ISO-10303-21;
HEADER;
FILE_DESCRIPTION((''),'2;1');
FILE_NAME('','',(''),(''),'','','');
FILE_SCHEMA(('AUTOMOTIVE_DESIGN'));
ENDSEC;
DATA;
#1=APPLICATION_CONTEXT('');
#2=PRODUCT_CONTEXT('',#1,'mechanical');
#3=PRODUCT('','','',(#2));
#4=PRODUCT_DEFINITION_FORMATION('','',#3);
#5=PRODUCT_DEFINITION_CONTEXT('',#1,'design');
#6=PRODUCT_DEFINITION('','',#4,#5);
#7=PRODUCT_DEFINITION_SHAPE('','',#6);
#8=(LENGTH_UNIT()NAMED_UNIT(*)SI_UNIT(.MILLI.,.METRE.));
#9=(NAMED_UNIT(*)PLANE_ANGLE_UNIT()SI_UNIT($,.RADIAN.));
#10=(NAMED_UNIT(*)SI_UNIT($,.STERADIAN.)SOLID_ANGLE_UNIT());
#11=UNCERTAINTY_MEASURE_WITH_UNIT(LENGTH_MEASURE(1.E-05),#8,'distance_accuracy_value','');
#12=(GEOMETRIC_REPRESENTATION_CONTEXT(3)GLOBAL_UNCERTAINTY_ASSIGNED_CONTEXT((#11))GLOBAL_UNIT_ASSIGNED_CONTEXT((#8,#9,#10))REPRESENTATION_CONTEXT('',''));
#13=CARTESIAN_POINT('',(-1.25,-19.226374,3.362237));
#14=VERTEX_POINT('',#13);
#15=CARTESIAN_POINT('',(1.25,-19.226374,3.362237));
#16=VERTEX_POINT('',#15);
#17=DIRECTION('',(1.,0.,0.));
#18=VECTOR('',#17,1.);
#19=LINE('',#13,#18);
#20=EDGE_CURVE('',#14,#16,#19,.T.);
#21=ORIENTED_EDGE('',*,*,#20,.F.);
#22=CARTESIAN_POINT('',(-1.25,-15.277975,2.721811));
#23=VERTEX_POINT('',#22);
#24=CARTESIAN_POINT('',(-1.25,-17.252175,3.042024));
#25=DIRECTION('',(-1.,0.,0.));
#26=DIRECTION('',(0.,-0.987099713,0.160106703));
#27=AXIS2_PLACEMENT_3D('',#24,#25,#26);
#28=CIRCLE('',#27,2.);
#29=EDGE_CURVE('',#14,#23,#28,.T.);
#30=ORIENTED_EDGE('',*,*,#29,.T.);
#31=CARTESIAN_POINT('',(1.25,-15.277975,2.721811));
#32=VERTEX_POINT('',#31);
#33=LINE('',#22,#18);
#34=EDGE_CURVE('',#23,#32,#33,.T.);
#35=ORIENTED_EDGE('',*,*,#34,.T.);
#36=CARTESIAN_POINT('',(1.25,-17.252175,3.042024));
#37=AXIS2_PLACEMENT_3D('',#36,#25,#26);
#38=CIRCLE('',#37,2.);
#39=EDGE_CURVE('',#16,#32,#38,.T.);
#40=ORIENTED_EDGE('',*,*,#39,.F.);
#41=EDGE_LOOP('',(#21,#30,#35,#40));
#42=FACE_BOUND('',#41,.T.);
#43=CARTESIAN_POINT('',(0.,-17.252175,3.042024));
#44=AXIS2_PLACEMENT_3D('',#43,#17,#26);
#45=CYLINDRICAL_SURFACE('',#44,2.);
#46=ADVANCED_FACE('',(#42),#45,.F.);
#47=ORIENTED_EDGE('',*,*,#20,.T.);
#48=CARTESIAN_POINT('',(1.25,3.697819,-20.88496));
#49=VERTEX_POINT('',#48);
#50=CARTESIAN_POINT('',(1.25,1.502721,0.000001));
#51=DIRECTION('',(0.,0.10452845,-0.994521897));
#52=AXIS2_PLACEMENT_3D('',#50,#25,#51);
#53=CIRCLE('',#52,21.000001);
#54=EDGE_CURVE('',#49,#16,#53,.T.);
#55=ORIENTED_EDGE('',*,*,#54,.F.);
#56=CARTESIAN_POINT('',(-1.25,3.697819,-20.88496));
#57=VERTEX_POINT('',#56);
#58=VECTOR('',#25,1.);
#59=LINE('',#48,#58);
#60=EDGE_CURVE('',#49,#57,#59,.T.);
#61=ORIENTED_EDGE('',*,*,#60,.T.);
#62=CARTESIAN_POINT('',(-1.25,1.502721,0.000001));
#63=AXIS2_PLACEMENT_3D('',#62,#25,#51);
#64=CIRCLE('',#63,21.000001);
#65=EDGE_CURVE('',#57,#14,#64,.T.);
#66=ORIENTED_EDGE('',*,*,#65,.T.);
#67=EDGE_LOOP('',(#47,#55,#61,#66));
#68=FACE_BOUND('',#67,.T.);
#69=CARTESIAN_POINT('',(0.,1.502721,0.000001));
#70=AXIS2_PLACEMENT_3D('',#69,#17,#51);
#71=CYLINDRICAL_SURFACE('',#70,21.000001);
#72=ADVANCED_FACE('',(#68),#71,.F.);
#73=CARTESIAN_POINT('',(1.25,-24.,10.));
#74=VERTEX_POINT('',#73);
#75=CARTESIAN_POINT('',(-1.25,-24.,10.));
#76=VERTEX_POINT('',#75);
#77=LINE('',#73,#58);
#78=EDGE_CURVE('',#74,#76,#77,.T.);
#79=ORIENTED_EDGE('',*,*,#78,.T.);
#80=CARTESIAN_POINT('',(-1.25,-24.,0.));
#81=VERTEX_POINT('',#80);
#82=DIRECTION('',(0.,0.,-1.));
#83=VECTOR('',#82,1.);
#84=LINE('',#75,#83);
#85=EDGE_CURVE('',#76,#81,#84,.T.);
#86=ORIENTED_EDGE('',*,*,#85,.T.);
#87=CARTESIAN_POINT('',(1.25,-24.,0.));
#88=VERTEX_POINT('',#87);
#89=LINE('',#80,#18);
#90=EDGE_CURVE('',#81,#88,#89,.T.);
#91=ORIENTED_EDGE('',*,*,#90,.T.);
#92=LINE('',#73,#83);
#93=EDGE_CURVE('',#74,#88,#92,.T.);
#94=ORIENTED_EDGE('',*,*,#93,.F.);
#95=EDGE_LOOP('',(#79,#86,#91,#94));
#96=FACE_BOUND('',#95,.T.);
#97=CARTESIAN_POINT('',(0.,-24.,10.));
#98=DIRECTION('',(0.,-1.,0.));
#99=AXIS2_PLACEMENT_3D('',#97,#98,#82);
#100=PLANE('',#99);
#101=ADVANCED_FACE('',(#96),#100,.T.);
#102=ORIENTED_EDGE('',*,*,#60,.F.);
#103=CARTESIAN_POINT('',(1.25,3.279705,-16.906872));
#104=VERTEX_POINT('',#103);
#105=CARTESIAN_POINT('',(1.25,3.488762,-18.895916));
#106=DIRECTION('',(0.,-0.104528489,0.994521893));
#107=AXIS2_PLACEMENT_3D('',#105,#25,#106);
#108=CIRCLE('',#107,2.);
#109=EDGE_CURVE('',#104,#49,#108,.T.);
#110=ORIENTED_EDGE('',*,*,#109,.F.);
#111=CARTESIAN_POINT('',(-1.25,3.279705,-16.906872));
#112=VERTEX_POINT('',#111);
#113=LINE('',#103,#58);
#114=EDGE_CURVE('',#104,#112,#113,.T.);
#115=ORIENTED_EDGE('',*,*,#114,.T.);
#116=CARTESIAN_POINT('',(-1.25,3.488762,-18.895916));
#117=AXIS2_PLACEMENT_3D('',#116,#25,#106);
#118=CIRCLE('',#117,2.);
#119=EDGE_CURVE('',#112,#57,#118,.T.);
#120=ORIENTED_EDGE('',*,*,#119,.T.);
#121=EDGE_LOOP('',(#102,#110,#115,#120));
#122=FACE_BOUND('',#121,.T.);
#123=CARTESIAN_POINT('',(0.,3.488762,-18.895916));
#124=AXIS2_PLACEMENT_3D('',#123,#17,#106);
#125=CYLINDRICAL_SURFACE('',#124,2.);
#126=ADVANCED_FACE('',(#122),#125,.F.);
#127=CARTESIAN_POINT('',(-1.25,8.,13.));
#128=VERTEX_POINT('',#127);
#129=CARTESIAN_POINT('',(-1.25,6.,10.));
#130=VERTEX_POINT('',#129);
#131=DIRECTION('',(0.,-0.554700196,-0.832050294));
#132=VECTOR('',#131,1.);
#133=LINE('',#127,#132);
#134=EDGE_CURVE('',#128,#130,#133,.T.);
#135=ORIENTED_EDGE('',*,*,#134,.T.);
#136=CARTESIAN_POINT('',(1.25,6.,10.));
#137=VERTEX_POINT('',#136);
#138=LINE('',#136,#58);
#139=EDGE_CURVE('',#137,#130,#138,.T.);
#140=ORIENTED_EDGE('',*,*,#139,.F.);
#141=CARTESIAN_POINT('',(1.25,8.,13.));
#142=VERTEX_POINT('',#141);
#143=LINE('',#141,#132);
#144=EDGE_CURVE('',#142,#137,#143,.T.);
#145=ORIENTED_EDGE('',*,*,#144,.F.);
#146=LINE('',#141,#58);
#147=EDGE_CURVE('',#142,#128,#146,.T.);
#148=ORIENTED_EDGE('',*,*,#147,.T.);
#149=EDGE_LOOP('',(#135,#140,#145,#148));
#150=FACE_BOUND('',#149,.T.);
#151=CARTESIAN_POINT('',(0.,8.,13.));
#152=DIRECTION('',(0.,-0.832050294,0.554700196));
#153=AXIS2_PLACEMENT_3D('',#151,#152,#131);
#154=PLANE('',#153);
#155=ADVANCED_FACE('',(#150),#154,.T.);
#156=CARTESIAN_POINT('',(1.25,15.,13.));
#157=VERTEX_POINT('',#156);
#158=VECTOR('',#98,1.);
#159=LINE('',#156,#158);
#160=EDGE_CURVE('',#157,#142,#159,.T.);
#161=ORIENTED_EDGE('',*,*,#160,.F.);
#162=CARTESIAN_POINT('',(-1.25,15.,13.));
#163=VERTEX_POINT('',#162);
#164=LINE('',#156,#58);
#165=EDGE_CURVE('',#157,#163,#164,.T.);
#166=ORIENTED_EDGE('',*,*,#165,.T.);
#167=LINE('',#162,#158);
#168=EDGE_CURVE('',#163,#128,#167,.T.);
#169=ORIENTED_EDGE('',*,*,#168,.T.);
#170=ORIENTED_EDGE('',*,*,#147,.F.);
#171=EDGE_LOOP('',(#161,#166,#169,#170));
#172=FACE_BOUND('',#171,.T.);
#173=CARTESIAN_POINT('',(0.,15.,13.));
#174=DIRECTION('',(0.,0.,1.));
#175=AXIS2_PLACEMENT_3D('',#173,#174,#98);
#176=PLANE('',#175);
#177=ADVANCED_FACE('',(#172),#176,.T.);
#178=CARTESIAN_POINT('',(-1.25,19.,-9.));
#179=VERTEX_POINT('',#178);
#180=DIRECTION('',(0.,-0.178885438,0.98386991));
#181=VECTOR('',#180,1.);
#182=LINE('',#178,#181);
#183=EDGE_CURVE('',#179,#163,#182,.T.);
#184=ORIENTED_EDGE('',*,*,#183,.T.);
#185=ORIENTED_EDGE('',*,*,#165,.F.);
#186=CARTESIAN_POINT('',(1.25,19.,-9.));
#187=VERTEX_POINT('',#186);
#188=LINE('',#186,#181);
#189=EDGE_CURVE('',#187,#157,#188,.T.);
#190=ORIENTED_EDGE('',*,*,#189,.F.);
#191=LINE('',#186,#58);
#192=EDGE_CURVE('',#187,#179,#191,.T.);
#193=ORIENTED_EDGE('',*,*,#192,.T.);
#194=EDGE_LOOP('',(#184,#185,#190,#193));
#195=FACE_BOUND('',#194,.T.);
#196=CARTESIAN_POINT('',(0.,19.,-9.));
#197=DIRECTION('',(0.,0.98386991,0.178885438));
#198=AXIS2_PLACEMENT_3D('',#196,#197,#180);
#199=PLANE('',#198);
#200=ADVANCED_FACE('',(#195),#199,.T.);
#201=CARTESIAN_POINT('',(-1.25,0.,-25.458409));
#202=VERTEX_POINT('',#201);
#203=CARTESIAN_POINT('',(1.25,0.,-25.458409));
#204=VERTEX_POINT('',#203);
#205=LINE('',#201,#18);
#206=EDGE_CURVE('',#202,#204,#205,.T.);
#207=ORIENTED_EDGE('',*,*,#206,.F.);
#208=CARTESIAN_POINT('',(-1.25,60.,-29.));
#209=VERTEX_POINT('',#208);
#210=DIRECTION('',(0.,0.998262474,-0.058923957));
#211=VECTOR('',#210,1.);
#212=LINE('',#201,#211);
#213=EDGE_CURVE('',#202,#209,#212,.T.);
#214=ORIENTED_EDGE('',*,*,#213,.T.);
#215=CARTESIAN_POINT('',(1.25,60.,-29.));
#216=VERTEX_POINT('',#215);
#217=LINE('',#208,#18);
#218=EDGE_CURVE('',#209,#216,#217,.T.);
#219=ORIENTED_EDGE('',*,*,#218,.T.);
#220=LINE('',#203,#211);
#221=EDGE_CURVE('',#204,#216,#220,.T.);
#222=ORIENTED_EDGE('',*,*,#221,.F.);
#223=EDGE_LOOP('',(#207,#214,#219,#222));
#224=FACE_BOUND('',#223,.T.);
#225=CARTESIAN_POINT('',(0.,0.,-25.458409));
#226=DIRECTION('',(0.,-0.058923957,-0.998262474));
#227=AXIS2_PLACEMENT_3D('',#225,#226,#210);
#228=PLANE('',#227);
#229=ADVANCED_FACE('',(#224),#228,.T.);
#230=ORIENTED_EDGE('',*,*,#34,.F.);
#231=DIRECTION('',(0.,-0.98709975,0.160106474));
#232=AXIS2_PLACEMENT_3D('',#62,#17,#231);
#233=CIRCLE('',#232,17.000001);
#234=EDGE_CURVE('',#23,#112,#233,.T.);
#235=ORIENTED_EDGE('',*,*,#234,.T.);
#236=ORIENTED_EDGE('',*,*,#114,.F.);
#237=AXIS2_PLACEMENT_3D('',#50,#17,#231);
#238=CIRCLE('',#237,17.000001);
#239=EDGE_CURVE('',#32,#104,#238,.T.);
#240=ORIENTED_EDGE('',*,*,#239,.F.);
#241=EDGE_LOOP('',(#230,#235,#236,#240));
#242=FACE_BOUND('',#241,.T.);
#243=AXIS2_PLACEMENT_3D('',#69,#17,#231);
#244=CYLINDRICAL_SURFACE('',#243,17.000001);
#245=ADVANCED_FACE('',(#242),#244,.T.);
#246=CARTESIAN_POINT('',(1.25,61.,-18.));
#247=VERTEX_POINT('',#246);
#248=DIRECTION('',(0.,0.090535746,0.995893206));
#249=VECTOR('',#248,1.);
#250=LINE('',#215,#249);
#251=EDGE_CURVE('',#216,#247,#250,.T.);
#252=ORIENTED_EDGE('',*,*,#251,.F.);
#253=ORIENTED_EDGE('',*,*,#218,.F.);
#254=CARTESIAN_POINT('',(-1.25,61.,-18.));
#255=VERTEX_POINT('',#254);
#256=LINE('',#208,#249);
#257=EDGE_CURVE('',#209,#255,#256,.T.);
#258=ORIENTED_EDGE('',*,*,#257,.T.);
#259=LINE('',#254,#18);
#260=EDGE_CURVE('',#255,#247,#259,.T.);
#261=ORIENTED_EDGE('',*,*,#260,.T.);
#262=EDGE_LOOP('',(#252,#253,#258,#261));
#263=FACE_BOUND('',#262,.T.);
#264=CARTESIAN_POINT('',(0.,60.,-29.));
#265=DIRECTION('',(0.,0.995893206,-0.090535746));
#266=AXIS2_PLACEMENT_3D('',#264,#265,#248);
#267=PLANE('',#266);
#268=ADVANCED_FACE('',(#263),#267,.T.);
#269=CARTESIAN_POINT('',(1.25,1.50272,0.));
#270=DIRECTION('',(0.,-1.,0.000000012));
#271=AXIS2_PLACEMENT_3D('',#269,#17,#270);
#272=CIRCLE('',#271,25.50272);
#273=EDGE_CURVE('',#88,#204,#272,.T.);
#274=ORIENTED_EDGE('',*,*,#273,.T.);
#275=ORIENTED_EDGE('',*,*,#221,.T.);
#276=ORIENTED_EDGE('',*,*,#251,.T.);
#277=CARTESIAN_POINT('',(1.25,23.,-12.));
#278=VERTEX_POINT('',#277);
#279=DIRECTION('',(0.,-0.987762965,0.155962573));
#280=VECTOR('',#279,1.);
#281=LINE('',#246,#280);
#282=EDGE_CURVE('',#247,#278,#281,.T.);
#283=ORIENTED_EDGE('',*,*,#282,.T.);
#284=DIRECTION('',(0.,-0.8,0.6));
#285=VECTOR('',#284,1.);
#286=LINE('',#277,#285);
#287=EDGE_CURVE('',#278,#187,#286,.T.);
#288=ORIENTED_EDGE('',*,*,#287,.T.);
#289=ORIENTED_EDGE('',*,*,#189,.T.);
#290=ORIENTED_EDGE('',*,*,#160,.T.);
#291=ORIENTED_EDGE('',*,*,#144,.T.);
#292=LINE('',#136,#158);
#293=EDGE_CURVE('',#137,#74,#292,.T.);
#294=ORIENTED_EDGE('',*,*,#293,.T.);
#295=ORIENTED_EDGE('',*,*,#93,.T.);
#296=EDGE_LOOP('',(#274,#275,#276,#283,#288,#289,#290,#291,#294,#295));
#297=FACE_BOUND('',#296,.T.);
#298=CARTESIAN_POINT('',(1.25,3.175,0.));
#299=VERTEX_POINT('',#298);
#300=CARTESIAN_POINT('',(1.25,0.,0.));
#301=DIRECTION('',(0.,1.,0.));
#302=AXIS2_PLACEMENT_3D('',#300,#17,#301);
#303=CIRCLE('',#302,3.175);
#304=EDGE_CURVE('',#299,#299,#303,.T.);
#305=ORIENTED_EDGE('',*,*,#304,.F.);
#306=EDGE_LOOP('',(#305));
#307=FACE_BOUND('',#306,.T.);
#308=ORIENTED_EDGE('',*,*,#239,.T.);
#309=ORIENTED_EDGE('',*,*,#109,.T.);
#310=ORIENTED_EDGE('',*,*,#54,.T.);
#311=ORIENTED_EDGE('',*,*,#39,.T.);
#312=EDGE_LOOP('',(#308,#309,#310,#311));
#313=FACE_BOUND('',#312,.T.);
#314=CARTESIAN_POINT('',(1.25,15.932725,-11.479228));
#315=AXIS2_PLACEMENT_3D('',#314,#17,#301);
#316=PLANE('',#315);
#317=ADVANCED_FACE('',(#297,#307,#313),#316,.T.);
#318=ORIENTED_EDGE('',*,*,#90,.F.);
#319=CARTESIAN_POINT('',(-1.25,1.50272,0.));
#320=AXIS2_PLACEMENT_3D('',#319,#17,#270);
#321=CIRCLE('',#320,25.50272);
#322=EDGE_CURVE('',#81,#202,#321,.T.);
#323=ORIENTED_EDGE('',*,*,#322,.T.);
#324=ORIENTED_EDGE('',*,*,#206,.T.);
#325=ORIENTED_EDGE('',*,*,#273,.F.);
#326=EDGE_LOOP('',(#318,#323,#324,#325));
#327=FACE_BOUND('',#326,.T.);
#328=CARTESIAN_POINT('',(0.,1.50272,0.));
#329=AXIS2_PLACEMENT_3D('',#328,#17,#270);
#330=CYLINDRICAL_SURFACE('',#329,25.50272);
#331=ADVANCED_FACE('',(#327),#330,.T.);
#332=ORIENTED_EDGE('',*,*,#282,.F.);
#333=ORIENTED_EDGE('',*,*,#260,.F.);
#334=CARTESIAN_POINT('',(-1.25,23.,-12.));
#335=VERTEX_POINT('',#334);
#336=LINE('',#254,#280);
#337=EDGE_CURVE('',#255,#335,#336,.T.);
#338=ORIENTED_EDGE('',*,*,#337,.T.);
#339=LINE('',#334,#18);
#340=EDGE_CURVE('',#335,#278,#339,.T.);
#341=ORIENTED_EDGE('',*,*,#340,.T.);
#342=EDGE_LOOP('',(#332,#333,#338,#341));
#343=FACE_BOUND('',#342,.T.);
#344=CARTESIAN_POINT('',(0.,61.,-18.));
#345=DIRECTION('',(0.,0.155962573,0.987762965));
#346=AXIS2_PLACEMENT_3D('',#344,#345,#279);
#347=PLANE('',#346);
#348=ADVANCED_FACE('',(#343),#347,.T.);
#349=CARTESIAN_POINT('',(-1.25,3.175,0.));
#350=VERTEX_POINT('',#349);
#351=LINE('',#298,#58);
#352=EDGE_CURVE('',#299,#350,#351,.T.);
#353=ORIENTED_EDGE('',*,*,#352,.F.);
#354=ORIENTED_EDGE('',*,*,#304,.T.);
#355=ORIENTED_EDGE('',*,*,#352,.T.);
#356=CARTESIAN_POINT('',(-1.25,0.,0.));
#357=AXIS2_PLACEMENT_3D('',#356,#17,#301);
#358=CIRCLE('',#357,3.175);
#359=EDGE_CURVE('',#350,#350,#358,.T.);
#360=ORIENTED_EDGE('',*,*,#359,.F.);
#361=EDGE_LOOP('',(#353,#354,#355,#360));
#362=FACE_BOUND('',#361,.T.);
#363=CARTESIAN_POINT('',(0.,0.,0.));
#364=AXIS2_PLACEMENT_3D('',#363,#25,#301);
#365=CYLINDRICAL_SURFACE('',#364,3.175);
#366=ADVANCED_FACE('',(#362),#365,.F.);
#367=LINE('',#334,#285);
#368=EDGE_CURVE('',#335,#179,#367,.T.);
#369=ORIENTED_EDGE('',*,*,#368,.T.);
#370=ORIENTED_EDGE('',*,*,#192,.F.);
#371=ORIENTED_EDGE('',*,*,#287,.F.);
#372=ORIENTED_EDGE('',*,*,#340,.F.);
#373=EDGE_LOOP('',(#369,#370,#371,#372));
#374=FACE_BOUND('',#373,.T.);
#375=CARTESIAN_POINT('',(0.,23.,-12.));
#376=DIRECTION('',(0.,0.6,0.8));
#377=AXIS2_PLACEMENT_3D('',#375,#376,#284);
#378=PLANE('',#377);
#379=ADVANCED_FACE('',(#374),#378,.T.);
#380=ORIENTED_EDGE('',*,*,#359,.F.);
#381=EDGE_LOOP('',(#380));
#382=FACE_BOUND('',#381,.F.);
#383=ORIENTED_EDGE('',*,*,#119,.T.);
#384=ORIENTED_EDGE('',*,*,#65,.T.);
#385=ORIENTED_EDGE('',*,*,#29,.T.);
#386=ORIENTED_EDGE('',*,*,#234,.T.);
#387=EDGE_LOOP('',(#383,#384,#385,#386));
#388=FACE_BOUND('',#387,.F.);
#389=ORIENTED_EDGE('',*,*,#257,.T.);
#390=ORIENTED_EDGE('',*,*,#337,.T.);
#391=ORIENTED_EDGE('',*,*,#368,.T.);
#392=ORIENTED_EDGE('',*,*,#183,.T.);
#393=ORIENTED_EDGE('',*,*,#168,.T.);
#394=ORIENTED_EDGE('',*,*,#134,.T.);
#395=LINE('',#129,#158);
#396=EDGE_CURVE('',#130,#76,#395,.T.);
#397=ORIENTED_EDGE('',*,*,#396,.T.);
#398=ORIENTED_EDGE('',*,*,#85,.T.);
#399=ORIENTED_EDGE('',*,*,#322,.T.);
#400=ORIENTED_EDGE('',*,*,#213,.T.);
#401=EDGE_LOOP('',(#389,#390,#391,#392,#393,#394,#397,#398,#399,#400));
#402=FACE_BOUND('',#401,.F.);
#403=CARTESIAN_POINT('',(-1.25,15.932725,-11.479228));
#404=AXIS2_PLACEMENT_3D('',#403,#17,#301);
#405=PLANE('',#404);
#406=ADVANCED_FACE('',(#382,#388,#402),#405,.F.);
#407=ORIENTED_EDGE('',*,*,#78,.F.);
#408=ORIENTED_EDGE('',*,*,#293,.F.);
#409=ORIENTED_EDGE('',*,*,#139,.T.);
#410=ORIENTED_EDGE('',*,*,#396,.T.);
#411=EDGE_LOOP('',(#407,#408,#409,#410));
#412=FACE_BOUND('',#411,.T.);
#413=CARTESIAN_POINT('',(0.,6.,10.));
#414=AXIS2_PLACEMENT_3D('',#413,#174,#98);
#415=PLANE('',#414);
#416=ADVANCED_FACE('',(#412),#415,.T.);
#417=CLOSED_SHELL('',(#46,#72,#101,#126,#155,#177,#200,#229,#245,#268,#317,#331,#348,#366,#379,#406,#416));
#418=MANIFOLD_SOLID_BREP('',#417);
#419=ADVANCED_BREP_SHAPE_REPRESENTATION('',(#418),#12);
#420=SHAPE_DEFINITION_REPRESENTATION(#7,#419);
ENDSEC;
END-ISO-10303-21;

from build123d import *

# Parameters (mm, degrees)
F0_R     = 3.175
F1_DEPTH = 1.25


with BuildPart() as f1:
    # F0 (on Right) → F1 (new body, symmetric)
    with BuildSketch(Plane.YZ):
        with BuildLine():
            Line((-24, 10), (-24, 0))
            ThreePointArc((-24, 0), (-17.054114, -17.493789), (0, -25.458409))
            Line((0, -25.458409), (60, -29))
            Line((60, -29), (61, -18))
            Line((61, -18), (23, -12))
            Line((23, -12), (19, -9))
            Line((19, -9), (15, 13))
            Line((15, 13), (8, 13))
            Line((8, 13), (6, 10))
            Line((6, 10), (-24, 10))
        make_face()
        with BuildLine():
            ThreePointArc((-19.226374, 3.362237), (-16.931961, 5.016223), (-15.277975, 2.721811))
            ThreePointArc((-15.277975, 2.721811), (-10.850381, -11.679078), (3.279705, -16.906872))
            ThreePointArc((3.279705, -16.906872), (5.477806, -18.686859), (3.697819, -20.88496))
            ThreePointArc((3.697819, -20.88496), (-13.756994, -14.427096), (-19.226374, 3.362237))
        make_face(mode=Mode.SUBTRACT)
        Circle(F0_R, mode=Mode.SUBTRACT)
    extrude(amount=F1_DEPTH, both=True)


solid = f1.part
